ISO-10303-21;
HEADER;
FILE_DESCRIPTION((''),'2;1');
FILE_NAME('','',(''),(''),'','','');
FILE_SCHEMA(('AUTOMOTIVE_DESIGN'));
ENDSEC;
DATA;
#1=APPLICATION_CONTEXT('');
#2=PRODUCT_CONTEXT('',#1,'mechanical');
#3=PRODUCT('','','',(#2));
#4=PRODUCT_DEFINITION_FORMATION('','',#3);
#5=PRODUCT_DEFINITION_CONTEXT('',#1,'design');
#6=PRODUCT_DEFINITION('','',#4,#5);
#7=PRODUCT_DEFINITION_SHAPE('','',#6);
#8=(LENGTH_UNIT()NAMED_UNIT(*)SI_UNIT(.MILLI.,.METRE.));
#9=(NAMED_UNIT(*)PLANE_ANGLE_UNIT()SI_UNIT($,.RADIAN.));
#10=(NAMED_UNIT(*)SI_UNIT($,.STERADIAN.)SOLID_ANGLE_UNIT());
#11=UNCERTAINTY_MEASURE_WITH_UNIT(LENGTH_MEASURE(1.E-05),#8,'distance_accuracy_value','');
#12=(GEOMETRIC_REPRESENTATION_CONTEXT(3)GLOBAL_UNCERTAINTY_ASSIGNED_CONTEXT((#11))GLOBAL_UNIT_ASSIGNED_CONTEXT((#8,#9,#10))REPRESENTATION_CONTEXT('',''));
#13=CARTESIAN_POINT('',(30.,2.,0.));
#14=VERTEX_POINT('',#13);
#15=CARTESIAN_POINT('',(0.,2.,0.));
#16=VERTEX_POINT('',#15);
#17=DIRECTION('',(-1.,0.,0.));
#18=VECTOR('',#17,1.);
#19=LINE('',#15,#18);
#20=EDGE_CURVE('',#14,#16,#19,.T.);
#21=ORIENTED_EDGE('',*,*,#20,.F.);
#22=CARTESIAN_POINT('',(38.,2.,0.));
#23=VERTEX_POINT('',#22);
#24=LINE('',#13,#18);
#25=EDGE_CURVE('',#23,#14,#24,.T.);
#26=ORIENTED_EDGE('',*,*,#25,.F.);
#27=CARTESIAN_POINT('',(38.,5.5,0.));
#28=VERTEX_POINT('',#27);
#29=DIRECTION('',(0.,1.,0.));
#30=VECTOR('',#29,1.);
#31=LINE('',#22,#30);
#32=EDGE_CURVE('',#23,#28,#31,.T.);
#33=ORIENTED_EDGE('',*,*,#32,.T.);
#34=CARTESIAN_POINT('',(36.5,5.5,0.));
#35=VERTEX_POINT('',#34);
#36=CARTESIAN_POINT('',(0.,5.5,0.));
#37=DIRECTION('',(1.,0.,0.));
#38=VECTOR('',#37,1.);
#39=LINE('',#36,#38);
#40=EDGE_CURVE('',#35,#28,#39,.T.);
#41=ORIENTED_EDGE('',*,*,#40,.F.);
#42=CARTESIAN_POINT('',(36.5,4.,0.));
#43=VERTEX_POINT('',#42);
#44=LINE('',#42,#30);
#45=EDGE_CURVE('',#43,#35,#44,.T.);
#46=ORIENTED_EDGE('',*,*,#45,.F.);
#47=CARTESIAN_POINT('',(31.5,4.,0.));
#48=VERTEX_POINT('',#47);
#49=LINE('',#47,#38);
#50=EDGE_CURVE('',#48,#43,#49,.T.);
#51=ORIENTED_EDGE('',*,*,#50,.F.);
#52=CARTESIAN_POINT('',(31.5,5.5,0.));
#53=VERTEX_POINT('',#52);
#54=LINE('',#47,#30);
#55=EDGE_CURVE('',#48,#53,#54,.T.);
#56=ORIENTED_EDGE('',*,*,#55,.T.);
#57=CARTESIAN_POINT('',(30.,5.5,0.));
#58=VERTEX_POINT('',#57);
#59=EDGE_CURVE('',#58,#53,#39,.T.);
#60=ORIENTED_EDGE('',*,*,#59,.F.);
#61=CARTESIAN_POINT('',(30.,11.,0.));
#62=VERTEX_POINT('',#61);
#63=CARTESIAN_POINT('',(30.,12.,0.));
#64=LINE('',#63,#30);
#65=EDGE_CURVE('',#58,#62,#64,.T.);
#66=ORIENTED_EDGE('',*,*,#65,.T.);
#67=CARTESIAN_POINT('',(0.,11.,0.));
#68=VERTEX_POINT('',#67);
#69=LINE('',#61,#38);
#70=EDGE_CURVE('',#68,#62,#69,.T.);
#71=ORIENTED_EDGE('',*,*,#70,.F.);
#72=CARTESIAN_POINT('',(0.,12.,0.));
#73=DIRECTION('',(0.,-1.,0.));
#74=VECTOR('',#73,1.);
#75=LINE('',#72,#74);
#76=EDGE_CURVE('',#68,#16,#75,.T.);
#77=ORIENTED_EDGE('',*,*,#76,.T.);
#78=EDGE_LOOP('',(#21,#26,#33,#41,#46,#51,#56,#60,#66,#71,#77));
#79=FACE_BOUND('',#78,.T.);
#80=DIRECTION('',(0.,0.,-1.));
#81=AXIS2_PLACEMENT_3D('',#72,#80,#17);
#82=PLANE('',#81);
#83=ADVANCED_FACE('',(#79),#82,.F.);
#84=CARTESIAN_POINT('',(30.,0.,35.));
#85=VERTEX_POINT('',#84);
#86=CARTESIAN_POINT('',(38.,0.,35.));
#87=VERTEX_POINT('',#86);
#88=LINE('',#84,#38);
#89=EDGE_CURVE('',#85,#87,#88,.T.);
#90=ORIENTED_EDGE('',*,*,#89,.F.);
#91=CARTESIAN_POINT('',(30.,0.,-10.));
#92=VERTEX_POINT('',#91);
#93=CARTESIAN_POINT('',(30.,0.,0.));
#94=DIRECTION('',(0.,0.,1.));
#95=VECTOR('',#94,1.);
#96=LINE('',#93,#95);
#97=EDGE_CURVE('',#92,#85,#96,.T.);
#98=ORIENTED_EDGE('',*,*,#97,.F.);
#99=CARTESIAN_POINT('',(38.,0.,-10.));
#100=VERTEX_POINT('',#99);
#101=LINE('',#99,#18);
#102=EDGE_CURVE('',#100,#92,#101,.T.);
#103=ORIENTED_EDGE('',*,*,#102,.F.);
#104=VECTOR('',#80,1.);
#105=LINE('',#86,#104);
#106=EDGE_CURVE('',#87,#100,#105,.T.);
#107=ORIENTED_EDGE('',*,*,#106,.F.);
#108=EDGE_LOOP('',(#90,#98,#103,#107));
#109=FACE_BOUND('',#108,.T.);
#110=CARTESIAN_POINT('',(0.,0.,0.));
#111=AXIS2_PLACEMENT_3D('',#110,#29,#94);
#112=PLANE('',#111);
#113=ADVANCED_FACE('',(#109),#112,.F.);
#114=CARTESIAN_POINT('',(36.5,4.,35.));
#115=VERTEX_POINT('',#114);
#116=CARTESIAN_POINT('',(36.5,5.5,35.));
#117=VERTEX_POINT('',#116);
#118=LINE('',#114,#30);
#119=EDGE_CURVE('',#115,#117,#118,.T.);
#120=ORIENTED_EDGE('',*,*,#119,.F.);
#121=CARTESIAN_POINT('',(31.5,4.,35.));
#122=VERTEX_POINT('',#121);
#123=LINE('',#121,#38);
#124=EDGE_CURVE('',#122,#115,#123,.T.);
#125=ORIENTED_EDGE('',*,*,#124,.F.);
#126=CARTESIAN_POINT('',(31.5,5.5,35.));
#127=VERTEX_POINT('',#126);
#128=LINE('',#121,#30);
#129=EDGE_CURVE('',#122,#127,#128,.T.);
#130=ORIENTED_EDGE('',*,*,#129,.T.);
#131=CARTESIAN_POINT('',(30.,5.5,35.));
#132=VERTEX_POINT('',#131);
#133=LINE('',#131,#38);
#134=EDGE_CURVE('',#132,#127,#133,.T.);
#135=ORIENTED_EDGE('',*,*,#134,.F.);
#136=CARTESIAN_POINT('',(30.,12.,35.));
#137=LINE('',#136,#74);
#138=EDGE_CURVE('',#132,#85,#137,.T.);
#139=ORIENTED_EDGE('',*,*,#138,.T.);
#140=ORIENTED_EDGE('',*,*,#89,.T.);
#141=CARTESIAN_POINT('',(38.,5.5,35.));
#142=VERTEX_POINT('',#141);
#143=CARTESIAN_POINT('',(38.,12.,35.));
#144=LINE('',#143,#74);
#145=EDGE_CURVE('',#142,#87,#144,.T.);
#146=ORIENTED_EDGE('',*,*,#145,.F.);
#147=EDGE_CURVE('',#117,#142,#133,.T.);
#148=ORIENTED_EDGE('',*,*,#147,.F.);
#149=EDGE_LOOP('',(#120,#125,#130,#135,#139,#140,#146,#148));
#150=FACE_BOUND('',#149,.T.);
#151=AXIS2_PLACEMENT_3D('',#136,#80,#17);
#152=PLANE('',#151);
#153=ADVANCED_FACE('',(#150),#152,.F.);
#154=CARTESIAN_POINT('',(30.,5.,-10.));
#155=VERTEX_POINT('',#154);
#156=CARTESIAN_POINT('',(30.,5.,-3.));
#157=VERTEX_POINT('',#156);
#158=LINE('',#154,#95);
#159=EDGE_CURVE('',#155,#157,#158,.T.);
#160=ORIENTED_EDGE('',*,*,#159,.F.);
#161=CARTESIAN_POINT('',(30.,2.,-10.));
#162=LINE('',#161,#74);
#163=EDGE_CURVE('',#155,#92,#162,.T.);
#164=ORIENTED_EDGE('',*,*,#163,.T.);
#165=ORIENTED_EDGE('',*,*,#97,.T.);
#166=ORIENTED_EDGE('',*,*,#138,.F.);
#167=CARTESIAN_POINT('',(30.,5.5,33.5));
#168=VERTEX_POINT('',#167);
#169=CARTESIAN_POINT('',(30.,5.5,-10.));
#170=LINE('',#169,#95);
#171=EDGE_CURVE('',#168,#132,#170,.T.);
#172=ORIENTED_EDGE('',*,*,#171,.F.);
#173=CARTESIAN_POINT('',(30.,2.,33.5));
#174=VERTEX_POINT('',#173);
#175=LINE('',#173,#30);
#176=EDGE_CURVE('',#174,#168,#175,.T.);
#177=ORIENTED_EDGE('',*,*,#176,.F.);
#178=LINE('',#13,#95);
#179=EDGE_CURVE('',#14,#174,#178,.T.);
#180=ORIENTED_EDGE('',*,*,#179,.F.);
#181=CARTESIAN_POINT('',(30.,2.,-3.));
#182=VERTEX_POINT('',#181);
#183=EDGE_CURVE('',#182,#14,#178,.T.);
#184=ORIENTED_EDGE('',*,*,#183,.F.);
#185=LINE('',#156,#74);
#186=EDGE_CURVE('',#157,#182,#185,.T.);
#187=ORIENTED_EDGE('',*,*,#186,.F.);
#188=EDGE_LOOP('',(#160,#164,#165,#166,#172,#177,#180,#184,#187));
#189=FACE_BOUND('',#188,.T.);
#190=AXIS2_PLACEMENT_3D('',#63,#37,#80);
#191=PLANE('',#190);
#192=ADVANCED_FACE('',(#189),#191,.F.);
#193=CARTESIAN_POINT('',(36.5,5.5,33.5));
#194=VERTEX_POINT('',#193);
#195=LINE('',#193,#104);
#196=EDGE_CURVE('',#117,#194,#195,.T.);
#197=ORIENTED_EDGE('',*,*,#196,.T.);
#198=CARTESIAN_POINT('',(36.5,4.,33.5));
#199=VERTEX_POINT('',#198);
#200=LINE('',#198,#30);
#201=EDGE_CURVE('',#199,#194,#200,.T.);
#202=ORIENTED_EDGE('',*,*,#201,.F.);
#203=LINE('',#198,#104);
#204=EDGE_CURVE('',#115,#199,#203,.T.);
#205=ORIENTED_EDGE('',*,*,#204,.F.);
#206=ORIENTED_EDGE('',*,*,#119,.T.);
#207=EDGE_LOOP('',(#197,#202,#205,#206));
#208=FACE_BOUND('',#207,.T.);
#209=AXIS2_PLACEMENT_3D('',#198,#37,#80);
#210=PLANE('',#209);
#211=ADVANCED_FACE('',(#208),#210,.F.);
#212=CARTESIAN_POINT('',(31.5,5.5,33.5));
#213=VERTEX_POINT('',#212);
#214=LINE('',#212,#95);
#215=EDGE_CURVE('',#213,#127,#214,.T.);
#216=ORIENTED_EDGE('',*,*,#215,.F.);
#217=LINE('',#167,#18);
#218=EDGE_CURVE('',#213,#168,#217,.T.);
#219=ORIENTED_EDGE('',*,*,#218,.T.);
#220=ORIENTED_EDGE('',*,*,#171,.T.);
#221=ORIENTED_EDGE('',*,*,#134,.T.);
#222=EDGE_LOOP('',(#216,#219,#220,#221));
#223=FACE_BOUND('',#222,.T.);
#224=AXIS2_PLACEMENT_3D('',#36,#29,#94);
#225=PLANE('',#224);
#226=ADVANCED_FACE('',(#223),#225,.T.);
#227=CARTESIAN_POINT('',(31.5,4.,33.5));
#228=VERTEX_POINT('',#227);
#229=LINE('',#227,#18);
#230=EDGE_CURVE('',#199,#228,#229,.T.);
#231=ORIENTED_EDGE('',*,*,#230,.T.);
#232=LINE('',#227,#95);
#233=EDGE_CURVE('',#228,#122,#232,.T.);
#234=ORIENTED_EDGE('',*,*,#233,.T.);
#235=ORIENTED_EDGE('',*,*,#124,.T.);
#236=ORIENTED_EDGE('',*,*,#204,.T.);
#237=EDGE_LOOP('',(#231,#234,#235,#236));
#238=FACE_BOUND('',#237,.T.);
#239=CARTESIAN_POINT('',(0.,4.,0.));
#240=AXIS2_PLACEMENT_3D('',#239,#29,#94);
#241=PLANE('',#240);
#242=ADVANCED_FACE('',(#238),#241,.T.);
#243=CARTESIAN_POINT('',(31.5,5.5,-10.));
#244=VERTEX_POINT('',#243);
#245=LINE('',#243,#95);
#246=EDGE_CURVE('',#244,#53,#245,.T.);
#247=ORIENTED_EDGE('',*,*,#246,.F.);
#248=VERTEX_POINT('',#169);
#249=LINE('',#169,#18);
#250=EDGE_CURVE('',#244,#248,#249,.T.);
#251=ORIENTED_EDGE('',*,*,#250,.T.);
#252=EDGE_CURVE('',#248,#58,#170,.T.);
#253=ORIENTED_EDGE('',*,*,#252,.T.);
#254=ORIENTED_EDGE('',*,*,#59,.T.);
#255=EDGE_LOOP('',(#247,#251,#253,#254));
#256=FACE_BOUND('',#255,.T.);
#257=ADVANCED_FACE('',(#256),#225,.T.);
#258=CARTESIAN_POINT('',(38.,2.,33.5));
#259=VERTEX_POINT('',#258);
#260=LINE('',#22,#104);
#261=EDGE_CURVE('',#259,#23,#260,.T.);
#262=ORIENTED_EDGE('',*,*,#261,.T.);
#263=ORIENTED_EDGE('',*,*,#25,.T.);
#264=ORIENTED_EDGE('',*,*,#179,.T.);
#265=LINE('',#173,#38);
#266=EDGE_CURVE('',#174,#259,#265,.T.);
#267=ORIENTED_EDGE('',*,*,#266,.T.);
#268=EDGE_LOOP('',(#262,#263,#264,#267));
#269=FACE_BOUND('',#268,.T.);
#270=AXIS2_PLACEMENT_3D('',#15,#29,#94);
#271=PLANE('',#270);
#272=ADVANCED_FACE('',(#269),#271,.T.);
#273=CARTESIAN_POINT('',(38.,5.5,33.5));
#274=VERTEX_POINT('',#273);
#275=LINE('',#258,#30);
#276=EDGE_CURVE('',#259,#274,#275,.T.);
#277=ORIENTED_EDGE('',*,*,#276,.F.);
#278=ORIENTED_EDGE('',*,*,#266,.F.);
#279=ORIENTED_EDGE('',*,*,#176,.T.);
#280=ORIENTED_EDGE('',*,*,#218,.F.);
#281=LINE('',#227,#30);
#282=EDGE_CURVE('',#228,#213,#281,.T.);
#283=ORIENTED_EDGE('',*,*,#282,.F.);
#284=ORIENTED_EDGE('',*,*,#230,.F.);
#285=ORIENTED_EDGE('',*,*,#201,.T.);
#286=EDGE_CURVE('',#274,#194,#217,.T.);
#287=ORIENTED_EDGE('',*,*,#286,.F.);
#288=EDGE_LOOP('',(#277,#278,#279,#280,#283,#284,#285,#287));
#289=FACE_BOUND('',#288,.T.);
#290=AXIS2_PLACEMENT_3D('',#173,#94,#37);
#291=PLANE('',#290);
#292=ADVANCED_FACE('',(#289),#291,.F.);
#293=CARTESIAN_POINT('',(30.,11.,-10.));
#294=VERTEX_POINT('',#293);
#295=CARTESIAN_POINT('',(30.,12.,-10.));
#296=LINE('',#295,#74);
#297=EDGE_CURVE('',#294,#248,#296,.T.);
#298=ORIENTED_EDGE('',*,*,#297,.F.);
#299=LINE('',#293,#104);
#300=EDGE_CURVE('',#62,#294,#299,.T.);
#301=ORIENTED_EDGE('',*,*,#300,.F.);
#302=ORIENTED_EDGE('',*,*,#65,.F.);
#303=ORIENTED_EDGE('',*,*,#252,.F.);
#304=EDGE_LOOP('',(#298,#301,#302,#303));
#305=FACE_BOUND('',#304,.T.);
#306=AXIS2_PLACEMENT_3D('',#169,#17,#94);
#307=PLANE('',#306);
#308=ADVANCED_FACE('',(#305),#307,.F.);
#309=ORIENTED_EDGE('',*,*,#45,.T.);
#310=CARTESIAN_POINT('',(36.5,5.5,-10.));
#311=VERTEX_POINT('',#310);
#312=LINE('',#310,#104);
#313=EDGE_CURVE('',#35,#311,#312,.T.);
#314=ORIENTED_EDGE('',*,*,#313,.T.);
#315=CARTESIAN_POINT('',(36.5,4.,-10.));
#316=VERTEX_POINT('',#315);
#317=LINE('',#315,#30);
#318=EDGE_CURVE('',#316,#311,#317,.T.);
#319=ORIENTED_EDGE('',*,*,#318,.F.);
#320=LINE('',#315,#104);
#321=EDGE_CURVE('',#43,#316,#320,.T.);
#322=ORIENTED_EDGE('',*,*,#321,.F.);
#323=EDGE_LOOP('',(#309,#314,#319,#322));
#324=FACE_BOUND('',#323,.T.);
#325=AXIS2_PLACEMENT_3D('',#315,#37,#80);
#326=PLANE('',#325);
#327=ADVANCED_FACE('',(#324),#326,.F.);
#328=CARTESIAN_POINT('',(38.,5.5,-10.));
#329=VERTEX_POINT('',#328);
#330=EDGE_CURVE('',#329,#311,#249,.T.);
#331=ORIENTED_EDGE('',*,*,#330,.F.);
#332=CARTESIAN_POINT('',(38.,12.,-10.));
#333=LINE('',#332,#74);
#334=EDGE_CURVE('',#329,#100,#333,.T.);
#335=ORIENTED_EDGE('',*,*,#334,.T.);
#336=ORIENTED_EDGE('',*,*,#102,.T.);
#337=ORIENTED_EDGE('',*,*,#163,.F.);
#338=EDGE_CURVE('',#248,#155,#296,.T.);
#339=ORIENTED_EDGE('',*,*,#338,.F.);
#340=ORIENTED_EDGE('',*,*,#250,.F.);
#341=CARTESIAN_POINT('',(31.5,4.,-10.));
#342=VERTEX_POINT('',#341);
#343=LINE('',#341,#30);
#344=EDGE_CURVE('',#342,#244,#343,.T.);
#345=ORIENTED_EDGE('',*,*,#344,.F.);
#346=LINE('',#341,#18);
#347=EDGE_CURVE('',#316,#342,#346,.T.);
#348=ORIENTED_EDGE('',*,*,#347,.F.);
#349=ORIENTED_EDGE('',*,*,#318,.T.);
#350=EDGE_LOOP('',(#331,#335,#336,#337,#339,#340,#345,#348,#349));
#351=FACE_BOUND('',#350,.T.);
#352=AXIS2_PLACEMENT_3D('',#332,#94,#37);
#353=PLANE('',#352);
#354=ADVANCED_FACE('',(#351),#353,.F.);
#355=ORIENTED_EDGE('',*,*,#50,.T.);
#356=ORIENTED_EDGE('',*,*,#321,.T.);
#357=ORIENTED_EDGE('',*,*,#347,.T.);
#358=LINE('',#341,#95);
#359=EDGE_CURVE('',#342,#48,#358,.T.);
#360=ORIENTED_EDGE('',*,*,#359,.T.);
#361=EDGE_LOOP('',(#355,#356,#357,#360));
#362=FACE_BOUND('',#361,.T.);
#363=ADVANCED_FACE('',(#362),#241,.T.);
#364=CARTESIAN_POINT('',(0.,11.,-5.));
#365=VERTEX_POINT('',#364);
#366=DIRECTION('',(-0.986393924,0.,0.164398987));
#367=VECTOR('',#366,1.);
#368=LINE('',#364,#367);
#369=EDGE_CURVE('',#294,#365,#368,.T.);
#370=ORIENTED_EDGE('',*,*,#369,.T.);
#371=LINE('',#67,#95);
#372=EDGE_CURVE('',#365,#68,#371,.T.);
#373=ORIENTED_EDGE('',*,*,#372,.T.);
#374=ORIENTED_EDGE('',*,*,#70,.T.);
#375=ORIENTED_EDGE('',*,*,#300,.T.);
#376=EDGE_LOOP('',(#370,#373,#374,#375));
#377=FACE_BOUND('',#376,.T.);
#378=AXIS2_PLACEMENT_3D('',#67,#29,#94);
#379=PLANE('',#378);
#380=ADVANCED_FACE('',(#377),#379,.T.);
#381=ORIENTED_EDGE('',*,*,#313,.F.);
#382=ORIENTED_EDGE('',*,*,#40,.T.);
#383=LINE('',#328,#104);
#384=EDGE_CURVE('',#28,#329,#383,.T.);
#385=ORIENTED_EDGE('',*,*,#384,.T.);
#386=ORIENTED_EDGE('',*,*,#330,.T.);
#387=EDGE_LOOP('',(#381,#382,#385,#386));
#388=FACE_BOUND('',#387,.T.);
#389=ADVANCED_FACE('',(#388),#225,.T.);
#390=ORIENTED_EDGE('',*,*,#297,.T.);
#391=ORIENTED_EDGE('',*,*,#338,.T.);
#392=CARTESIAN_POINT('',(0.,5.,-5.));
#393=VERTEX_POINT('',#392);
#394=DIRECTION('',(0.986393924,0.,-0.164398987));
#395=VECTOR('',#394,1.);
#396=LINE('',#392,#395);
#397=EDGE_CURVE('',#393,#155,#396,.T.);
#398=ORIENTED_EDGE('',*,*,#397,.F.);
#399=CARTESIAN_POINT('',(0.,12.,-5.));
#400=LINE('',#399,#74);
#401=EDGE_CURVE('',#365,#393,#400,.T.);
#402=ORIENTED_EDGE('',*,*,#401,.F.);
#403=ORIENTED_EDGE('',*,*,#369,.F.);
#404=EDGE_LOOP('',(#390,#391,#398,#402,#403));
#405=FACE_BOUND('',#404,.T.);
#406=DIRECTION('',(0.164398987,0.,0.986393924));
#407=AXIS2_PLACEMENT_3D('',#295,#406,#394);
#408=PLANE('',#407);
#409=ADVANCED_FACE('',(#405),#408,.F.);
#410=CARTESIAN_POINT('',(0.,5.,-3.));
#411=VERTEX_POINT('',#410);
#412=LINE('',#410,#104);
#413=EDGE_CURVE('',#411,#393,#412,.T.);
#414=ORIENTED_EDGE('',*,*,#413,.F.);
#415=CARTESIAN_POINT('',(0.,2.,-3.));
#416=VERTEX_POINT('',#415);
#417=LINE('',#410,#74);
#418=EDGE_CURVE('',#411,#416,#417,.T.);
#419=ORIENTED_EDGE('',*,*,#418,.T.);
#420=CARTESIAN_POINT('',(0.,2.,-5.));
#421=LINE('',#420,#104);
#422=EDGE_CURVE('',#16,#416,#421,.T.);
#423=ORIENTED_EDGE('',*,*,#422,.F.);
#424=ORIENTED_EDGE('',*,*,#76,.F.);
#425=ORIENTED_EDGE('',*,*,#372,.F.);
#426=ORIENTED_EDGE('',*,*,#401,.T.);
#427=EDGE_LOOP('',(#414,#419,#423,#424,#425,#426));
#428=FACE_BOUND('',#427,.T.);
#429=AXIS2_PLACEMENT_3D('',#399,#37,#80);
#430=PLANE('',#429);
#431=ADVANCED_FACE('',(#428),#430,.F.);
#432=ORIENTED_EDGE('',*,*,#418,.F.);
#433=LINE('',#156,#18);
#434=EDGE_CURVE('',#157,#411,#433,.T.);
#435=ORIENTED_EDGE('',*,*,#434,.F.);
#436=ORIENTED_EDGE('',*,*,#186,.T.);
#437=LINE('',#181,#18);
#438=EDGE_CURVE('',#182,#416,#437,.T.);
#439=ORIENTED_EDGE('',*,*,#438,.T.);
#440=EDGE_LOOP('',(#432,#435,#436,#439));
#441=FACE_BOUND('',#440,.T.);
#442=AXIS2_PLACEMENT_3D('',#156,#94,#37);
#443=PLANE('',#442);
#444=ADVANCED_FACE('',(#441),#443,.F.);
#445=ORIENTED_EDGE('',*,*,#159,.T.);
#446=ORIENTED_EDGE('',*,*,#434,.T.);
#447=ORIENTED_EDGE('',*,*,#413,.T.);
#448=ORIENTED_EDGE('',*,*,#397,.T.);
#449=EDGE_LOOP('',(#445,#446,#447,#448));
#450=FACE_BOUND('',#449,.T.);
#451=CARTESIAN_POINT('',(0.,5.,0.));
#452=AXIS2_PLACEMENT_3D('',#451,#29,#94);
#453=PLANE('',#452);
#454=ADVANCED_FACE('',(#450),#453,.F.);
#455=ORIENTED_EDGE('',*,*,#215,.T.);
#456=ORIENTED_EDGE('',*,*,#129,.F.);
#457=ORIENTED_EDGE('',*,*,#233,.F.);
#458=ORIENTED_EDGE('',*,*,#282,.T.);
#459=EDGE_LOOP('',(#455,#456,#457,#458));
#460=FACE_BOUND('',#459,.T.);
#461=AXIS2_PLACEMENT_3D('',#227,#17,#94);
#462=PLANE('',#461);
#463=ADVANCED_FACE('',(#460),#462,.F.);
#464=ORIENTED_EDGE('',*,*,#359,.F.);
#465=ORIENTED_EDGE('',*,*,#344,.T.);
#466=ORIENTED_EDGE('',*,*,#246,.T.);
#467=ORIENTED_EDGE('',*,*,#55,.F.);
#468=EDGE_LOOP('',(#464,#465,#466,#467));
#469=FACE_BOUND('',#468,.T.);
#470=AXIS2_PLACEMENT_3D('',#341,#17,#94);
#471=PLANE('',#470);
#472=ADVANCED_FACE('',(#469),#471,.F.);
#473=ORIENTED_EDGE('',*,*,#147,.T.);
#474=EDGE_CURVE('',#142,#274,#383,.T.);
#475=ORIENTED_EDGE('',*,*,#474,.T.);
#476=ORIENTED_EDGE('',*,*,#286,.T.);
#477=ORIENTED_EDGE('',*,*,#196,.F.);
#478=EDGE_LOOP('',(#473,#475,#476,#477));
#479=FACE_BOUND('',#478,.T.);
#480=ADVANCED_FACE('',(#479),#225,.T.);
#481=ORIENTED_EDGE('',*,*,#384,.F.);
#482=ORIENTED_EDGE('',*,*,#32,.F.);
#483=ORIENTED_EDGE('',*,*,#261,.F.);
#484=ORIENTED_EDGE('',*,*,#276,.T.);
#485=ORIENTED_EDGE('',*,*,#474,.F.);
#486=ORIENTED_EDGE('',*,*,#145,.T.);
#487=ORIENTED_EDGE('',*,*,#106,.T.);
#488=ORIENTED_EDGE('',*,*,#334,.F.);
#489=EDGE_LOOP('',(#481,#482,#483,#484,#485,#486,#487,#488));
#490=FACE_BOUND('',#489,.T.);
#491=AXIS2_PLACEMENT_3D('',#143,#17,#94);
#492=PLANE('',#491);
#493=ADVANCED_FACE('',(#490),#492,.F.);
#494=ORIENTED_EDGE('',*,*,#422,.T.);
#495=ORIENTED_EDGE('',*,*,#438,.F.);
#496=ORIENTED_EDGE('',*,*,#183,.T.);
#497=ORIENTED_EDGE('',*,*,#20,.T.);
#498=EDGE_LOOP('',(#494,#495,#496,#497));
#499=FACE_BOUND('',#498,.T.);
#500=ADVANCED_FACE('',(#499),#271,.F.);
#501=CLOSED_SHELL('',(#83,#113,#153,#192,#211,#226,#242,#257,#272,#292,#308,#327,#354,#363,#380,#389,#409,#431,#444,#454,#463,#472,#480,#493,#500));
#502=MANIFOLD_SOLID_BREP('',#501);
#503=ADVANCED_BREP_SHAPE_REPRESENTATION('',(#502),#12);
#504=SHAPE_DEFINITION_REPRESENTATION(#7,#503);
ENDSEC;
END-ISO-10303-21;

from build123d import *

# Parameters (mm, degrees)
BOSS_EXTRUDE1_DEPTH = 12
SKETCH2_W           = 8
SKETCH2_H           = 33.5
CUT_EXTRUDE1_DEPTH  = 10
SKETCH3_W           = 8
SKETCH3_H           = 45
CUT_EXTRUDE2_DEPTH  = 6.5
SKETCH4_W           = 5
SKETCH4_H           = 10
CUT_EXTRUDE3_DEPTH  = 1.5
SKETCH5_W           = 5
SKETCH5_H           = 1.5
CUT_EXTRUDE4_DEPTH  = 1.5
CUT_EXTRUDE5_DEPTH  = 2
CUT_EXTRUDE7_DEPTH  = 1
CUT_EXTRUDE9_DEPTH  = 3


with BuildPart() as part:
    # Sketch1 → Boss-Extrude1 (new body)
    with BuildSketch(Plane(origin=(0, 0, 0), x_dir=(1, 0, 0), z_dir=(0, 1, 0))):
        Polygon((0, 0), (30, 0), (30, -35), (38, -35), (38, 10), (30, 10), (0, 5), align=None)
    extrude(amount=BOSS_EXTRUDE1_DEPTH)

    # Sketch2 → Cut-Extrude1 (cut)
    with BuildSketch(Plane(origin=(0, 12, 0), x_dir=(1, 0, 0), z_dir=(0, 1, 0))):
        with Locations((34, -16.75)):
            Rectangle(SKETCH2_W, SKETCH2_H)
    extrude(amount=-CUT_EXTRUDE1_DEPTH, mode=Mode.SUBTRACT)

    # Sketch3 → Cut-Extrude2 (cut)
    with BuildSketch(Plane(origin=(0, 12, 0), x_dir=(1, 0, 0), z_dir=(0, 1, 0))):
        with Locations((34, -12.5)):
            Rectangle(SKETCH3_W, SKETCH3_H)
    extrude(amount=-CUT_EXTRUDE2_DEPTH, mode=Mode.SUBTRACT)

    # Sketch4 → Cut-Extrude3 (cut)
    with BuildSketch(Plane(origin=(0, 5.5, 0), x_dir=(1, 0, 0), z_dir=(0, 1, 0))):
        with Locations((34, 5)):
            Rectangle(SKETCH4_W, SKETCH4_H)
    extrude(amount=-CUT_EXTRUDE3_DEPTH, mode=Mode.SUBTRACT)

    # Sketch5 → Cut-Extrude4 (cut)
    with BuildSketch(Plane(origin=(0, 5.5, 0), x_dir=(1, 0, 0), z_dir=(0, 1, 0))):
        with Locations((34, -34.25)):
            Rectangle(SKETCH5_W, SKETCH5_H)
    extrude(amount=-CUT_EXTRUDE4_DEPTH, mode=Mode.SUBTRACT)

    # Sketch6 → Cut-Extrude5 (cut)
    with BuildSketch(Plane.XZ):
        Polygon((0, 0), (30, 0), (30, -10), (0, -5), align=None)
    extrude(amount=-CUT_EXTRUDE5_DEPTH, mode=Mode.SUBTRACT)

    # Sketch7 → Cut-Extrude7 (cut)
    with BuildSketch(Plane(origin=(0, 12, 0), x_dir=(1, 0, 0), z_dir=(0, 1, 0))):
        Polygon((0, 5), (30, 10), (30, 0), (0, 0), align=None)
    extrude(amount=-CUT_EXTRUDE7_DEPTH, mode=Mode.SUBTRACT)

    # Sketch10 → Cut-Extrude9 (cut)
    with BuildSketch(Plane.XZ.offset(-2)):
        Polygon((0, -5), (30, -10), (30, -3), (0, -3), align=None)
    extrude(amount=-CUT_EXTRUDE9_DEPTH, mode=Mode.SUBTRACT)


solid = part.part
